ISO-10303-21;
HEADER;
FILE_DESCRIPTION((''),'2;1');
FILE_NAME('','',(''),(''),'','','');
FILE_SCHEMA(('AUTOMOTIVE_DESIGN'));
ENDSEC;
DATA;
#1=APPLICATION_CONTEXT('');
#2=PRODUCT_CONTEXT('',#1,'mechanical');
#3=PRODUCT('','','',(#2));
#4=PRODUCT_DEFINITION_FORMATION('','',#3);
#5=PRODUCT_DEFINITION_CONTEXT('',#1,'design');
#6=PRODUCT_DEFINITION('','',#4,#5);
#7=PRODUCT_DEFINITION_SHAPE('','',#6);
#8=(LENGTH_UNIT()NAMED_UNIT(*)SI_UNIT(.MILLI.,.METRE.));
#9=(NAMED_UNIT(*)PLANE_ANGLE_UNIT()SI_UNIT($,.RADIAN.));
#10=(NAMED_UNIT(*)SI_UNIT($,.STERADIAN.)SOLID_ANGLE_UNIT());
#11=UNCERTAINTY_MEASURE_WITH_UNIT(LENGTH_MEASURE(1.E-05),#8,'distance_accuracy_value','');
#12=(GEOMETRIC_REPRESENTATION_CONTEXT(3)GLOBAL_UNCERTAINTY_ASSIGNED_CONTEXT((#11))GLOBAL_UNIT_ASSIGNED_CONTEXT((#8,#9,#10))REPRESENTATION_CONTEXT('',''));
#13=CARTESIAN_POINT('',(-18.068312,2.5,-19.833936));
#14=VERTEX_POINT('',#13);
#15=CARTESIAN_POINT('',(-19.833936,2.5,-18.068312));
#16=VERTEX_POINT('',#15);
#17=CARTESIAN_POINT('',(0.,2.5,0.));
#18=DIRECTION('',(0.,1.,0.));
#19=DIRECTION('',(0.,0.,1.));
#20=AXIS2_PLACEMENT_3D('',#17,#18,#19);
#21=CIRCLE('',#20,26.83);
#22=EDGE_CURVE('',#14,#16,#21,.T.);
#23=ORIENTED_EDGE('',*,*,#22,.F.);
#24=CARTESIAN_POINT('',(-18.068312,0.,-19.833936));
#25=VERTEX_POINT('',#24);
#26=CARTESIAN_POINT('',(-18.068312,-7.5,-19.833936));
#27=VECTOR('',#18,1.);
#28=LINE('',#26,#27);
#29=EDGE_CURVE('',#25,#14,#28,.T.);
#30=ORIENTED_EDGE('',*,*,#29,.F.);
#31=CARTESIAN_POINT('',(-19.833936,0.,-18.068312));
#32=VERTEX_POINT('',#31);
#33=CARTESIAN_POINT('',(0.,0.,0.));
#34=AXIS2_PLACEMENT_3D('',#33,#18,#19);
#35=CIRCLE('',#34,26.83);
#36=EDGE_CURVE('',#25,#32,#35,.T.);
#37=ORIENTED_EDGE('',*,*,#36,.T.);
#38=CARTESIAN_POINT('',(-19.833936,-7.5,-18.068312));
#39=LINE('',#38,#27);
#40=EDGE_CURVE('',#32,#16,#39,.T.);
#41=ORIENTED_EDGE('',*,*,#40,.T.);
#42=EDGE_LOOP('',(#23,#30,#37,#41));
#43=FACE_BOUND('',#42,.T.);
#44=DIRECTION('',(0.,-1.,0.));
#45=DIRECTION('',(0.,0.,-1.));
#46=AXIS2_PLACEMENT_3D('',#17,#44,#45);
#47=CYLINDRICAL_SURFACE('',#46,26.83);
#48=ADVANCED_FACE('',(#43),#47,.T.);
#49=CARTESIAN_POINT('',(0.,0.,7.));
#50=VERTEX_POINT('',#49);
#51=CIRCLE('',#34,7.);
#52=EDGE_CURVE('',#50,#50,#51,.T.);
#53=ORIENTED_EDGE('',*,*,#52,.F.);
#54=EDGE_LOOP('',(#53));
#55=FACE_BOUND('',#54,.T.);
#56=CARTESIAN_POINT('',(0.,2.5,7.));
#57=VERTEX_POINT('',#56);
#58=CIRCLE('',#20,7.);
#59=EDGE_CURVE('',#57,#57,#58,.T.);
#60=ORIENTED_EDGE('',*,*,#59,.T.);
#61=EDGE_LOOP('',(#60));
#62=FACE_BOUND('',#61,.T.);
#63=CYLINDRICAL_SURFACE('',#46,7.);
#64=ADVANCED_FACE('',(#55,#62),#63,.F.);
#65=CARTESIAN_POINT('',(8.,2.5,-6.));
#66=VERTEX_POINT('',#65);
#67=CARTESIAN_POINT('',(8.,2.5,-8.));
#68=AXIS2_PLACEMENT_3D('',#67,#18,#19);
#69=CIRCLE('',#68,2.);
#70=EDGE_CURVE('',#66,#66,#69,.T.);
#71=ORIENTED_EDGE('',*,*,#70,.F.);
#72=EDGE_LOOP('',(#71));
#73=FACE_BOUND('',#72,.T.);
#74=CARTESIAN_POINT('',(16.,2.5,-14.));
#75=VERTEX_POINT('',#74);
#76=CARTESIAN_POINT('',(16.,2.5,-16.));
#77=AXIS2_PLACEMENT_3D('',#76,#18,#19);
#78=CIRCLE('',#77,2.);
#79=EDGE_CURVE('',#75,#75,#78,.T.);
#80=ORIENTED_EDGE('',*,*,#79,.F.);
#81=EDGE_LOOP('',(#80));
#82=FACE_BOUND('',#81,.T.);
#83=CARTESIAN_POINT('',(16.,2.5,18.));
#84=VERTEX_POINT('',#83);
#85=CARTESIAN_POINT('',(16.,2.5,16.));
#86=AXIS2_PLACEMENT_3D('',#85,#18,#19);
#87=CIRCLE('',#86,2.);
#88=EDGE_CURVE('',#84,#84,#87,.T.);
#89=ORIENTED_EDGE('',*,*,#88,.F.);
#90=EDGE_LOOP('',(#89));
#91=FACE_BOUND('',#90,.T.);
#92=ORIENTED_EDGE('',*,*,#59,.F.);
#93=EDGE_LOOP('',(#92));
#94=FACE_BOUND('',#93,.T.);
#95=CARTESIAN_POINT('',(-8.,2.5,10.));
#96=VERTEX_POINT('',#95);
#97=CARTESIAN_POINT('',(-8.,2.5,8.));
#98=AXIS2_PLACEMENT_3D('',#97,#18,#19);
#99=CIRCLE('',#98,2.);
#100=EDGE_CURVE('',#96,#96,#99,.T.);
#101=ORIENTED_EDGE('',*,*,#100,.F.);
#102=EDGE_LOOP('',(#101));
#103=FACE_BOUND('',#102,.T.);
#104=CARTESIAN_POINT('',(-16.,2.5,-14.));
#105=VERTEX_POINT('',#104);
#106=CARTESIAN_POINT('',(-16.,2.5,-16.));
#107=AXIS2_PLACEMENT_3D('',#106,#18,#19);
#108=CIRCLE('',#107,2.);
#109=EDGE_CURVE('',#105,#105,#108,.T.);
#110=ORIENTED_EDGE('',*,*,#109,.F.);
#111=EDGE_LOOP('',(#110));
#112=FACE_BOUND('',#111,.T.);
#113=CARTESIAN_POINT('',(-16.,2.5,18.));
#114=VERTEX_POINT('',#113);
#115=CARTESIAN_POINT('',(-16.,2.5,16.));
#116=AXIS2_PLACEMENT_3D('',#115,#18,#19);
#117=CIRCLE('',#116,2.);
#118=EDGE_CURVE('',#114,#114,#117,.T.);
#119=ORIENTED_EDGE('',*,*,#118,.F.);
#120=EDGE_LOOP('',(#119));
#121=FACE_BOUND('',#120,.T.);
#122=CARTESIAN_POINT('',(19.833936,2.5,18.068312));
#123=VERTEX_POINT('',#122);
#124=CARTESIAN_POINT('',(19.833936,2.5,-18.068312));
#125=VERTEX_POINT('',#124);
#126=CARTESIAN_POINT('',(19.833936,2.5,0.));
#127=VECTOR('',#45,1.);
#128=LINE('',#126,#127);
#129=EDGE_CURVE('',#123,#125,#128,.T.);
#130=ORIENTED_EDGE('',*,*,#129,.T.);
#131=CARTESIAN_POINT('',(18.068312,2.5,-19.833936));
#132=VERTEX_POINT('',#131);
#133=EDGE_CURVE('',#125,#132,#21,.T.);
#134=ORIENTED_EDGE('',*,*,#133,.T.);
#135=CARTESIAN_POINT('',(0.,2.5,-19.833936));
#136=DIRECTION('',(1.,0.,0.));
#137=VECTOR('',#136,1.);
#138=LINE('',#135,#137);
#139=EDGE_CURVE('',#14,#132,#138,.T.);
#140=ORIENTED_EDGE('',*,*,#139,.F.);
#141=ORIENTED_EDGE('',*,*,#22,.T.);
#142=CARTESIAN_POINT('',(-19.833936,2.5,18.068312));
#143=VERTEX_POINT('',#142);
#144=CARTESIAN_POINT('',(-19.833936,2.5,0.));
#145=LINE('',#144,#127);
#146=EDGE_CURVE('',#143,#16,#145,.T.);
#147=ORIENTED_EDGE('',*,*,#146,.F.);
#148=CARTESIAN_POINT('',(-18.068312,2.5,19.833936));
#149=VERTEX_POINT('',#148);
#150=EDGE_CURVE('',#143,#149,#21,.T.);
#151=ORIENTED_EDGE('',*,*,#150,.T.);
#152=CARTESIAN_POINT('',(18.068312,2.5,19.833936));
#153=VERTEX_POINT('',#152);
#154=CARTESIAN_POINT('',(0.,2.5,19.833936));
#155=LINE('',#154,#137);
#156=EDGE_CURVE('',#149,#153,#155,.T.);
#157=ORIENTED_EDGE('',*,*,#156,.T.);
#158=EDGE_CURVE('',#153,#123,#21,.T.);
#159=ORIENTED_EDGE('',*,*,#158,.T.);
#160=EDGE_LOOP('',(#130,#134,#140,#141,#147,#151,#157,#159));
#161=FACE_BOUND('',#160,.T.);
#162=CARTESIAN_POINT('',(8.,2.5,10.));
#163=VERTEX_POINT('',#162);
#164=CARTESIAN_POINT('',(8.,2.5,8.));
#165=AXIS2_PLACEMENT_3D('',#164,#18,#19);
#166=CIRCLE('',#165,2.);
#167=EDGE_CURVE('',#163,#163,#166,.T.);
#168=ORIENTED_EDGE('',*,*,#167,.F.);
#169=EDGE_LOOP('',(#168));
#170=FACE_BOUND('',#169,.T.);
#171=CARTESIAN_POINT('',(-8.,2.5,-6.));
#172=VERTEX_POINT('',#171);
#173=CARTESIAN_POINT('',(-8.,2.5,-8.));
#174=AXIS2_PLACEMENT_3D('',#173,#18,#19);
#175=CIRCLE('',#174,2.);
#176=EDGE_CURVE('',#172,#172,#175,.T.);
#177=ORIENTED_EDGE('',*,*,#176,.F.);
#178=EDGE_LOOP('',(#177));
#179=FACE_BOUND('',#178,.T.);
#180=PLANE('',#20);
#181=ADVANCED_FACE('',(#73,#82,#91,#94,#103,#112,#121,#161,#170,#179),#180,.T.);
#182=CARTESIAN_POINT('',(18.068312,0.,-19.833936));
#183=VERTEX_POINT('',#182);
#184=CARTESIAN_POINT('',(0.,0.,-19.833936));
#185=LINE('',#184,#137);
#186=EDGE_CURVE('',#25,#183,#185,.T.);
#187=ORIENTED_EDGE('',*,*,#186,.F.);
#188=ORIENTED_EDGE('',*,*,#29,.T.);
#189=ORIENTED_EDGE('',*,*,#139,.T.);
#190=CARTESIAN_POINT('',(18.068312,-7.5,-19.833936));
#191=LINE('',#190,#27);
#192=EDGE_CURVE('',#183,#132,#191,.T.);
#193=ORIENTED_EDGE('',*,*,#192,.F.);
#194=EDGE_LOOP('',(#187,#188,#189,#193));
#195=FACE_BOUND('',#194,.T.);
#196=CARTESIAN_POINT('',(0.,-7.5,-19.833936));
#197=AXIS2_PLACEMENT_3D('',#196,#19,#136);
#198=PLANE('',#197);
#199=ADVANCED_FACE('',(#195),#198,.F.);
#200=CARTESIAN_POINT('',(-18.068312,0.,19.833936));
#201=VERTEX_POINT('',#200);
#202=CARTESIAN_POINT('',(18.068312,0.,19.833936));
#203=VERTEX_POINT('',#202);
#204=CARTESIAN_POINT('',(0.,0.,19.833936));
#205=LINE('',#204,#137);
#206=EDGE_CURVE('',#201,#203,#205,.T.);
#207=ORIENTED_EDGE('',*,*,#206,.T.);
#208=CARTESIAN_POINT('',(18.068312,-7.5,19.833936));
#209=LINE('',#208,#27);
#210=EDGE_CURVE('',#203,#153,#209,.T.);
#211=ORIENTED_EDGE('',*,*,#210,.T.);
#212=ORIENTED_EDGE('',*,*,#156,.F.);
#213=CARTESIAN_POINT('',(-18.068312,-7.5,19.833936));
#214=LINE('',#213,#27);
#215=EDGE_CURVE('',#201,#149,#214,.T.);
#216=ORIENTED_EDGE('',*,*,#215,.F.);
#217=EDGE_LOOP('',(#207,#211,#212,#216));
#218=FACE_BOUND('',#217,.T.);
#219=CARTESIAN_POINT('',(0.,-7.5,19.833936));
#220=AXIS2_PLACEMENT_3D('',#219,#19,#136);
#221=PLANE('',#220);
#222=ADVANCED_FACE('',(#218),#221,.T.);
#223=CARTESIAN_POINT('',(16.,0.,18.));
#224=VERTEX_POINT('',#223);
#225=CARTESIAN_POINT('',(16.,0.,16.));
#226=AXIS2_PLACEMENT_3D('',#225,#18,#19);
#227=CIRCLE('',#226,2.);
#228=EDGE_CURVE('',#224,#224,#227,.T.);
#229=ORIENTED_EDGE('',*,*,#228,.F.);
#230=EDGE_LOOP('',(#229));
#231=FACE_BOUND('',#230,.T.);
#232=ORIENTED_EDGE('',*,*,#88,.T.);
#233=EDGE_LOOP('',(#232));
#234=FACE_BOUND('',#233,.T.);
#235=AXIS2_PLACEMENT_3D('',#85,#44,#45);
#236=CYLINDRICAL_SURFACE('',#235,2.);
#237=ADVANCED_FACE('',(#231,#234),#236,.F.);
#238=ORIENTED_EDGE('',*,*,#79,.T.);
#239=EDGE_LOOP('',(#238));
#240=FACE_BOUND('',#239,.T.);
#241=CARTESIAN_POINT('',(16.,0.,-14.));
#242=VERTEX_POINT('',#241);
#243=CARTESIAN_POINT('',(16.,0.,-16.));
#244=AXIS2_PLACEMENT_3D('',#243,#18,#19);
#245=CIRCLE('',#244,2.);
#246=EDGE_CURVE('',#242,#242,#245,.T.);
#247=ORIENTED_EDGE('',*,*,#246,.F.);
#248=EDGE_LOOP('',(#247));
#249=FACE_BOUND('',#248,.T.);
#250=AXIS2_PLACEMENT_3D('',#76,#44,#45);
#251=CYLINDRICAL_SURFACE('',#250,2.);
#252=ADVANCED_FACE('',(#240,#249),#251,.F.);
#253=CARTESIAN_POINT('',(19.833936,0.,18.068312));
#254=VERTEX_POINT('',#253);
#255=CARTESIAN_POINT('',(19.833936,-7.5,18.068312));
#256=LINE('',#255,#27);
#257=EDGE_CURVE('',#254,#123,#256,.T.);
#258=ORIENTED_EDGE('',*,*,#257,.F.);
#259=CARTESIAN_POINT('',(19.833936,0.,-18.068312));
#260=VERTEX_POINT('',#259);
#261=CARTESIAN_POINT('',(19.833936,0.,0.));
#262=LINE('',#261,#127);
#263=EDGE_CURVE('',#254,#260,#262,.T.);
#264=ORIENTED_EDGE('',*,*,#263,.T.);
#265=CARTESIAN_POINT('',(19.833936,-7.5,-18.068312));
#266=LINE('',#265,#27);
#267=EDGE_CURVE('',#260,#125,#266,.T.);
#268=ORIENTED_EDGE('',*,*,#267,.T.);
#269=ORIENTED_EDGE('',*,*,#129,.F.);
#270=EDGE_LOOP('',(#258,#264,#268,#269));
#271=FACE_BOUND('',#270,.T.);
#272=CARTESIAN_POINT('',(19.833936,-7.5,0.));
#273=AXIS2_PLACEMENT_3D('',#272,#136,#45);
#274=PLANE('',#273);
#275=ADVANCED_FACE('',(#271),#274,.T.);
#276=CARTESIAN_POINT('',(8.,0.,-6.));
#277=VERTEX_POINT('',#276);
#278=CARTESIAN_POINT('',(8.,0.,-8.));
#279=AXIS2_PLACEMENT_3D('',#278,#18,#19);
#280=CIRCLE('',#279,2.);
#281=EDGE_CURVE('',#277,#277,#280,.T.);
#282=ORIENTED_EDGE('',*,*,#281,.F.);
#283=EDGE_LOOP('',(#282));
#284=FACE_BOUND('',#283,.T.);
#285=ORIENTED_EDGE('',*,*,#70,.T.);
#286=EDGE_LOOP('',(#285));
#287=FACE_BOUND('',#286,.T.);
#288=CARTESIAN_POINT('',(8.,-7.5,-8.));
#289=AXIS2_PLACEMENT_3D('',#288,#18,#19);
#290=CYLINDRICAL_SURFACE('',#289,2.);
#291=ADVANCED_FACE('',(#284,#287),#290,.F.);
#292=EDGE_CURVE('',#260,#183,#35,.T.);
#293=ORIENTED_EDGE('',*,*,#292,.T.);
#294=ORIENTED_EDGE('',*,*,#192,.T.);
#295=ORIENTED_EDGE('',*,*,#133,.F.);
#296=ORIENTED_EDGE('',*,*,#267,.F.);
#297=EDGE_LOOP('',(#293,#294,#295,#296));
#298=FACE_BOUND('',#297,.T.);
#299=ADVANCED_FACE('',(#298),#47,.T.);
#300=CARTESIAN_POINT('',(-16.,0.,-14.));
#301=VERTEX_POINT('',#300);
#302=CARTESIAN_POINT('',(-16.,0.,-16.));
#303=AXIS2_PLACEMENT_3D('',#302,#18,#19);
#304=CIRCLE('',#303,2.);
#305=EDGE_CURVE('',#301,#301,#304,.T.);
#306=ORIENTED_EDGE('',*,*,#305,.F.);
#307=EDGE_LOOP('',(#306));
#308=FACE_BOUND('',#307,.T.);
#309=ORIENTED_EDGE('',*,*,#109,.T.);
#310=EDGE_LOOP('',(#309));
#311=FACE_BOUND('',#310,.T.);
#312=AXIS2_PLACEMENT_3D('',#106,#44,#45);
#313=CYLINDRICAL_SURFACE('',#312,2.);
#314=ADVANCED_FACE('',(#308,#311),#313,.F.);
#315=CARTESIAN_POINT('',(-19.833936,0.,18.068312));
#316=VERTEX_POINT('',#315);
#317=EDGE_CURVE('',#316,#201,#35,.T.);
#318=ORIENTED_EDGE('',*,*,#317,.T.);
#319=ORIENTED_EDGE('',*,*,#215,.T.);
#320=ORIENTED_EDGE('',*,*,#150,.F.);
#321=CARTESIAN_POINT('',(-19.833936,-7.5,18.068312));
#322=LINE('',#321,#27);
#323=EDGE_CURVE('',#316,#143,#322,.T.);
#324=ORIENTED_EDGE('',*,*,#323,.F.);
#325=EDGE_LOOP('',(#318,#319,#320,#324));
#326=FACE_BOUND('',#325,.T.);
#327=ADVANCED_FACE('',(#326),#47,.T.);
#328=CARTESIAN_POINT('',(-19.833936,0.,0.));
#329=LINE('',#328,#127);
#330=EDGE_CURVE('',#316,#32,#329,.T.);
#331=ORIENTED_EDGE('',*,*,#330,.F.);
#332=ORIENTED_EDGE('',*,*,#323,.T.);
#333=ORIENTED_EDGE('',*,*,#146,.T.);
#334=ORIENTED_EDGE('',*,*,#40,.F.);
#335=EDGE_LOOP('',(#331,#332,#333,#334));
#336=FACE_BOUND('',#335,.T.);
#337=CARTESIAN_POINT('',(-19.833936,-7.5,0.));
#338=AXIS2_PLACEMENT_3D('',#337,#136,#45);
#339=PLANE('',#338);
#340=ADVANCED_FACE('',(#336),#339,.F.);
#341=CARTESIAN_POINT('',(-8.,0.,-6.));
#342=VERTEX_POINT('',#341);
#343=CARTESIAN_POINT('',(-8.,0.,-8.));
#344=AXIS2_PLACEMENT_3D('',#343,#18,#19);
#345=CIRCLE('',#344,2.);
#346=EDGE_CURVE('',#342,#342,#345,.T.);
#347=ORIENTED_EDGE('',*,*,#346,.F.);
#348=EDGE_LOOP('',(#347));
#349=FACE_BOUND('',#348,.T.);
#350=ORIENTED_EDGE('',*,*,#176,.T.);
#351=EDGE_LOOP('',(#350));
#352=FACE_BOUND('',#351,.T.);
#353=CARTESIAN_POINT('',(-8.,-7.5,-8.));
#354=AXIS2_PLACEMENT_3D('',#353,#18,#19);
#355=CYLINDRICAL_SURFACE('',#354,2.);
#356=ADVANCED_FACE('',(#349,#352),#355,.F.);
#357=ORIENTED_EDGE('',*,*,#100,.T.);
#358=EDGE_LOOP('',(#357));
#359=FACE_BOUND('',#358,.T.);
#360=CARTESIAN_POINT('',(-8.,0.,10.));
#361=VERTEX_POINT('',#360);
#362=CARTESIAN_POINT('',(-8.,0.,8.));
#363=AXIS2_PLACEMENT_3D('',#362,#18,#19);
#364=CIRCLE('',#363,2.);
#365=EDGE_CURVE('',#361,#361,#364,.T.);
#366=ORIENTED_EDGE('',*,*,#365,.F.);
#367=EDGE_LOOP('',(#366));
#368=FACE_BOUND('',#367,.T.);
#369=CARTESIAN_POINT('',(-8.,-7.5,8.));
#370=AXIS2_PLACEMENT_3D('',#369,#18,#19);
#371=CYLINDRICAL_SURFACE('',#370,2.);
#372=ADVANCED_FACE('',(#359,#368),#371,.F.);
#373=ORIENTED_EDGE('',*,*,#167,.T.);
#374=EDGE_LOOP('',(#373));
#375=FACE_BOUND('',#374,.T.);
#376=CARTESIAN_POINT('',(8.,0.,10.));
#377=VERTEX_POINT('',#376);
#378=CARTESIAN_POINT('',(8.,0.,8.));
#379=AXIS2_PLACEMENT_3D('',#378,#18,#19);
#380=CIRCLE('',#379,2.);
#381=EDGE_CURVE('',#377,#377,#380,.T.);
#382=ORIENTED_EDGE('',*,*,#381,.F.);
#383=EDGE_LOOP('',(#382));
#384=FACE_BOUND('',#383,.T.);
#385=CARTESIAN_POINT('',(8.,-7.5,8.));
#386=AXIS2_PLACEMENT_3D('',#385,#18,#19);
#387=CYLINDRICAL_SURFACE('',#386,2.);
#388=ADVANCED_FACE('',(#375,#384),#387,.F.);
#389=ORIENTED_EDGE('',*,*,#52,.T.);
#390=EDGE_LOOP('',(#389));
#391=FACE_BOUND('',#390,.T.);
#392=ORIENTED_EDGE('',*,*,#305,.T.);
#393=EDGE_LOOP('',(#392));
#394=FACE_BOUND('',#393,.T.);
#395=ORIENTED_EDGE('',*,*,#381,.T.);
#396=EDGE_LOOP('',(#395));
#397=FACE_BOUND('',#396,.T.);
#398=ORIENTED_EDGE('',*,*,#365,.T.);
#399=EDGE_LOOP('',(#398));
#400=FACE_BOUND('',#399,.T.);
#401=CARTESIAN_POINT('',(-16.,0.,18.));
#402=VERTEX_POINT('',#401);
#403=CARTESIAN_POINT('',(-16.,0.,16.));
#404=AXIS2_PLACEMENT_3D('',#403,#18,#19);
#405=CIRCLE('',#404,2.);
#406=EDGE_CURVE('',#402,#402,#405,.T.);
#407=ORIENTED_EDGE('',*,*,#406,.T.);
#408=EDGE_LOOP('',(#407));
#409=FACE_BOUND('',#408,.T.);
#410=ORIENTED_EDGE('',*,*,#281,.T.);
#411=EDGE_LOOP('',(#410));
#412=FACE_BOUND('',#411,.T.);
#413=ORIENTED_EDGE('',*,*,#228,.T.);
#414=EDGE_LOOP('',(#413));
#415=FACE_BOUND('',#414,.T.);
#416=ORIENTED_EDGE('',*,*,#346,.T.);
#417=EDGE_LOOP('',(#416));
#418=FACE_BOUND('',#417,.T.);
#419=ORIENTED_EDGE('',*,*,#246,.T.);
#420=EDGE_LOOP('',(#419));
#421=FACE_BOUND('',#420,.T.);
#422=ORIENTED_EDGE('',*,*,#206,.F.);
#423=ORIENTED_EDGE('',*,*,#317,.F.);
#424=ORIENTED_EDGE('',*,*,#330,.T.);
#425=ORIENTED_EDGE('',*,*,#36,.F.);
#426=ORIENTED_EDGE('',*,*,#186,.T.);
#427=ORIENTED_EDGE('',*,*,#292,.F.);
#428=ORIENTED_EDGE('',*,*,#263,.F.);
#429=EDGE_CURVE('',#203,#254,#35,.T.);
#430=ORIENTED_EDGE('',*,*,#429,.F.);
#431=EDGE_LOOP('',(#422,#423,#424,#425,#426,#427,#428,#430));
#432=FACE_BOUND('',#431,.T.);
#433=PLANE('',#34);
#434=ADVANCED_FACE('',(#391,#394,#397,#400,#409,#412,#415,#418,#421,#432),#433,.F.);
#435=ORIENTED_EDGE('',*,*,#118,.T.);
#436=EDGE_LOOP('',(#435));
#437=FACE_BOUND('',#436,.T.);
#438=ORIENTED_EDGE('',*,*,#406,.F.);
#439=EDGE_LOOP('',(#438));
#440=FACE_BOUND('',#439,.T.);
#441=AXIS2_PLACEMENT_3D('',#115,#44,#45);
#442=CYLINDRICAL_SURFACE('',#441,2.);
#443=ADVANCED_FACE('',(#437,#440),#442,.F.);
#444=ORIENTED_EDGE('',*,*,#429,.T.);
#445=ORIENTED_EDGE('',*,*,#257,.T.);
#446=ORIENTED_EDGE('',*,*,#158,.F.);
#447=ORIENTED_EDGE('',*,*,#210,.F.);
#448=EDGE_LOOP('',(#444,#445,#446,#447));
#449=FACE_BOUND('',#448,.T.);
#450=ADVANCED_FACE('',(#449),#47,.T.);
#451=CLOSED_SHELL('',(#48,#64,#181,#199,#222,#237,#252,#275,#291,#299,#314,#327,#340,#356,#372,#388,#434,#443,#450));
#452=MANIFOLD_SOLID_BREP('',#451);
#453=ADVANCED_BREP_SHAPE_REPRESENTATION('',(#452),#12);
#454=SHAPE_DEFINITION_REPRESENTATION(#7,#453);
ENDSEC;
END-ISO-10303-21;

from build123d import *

# Parameters (mm, degrees)
SKETCH1_R           = 26.83
SKETCH1_R_2         = 7
SKETCH1_R_3         = 2
BOSS_EXTRUDE1_DEPTH = 2.5
CUT_EXTRUDE1_DEPTH  = 10
CUT_EXTRUDE2_DEPTH  = 10


with BuildPart() as part:
    # Sketch1 → Boss-Extrude1 (new body)
    with BuildSketch(Plane(origin=(0, 0, 0), x_dir=(1, 0, 0), z_dir=(0, 1, 0))):
        Circle(SKETCH1_R)
        Circle(SKETCH1_R_2, mode=Mode.SUBTRACT)
        with Locations((-16.000000001, 16.000000001)):
            Circle(SKETCH1_R_3, mode=Mode.SUBTRACT)
        with Locations((16.000000001, 16.000000001)):
            Circle(SKETCH1_R_3, mode=Mode.SUBTRACT)
        with Locations((16.000000001, -16.000000001)):
            Circle(SKETCH1_R_3, mode=Mode.SUBTRACT)
        with Locations((-16.000000001, -16.000000001)):
            Circle(SKETCH1_R_3, mode=Mode.SUBTRACT)
    extrude(amount=BOSS_EXTRUDE1_DEPTH)

    # Sketch2 → Cut-Extrude1 (cut)
    with BuildSketch(Plane(origin=(0, 2.5, 0), x_dir=(1, 0, 0), z_dir=(0, 1, 0))):
        with BuildLine():
            ThreePointArc((-6.000000001, 8.000000001), (-9.414213563, 9.414213563), (-8.000000001, 6.000000001))
            Line((-8.000000001, 6.000000001), (-8.000000001, 8.000000001))
            Line((-8.000000001, 8.000000001), (-6.000000001, 8.000000001))
        make_face()
        with BuildLine():
            Line((-8.000000001, 8.000000001), (-8.000000001, 6.000000001))
            ThreePointArc((-8.000000001, 6.000000001), (-6.585786438, 6.585786438), (-6.000000001, 8.000000001))
            Line((-6.000000001, 8.000000001), (-8.000000001, 8.000000001))
        make_face()
        with BuildLine():
            ThreePointArc((6.000000001, 8.000000001), (6.585786438, 6.585786438), (8.000000001, 6.000000001))
            Line((8.000000001, 6.000000001), (8.000000001, 8.000000001))
            Line((8.000000001, 8.000000001), (6.000000001, 8.000000001))
        make_face()
        with BuildLine():
            Line((8.000000001, 8.000000001), (8.000000001, 6.000000001))
            ThreePointArc((8.000000001, 6.000000001), (9.414213563, 6.585786438), (10.000000001, 8.000000001))
            ThreePointArc((10.000000001, 8.000000001), (8.000000001, 10.000000001), (6.000000001, 8.000000001))
            Line((6.000000001, 8.000000001), (8.000000001, 8.000000001))
        make_face()
        with BuildLine():
            Line((-6.000000001, -8.000000001), (-8.000000001, -8.000000001))
            Line((-8.000000001, -8.000000001), (-8.000000001, -6.000000001))
            ThreePointArc((-8.000000001, -6.000000001), (-9.414213563, -9.414213563), (-6.000000001, -8.000000001))
        make_face()
        with BuildLine():
            ThreePointArc((-6.000000001, -8.000000001), (-6.152240936, -7.234633136), (-6.585786438, -6.585786438))
            Line((-6.585786438, -6.585786438), (-8.000000001, -8.000000001))
            Line((-8.000000001, -8.000000001), (-6.000000001, -8.000000001))
        make_face()
        with BuildLine():
            Line((-8.000000001, -8.000000001), (-6.585786438, -6.585786438))
            ThreePointArc((-6.585786438, -6.585786438), (-7.234633136, -6.152240936), (-8.000000001, -6.000000001))
            Line((-8.000000001, -6.000000001), (-8.000000001, -8.000000001))
        make_face()
        with BuildLine():
            ThreePointArc((8.000000001, -6.000000001), (6.585786438, -6.585786438), (6.000000001, -8.000000001))
            Line((6.000000001, -8.000000001), (8.000000001, -8.000000001))
            Line((8.000000001, -8.000000001), (8.000000001, -6.000000001))
        make_face()
        with BuildLine():
            Line((8.000000001, -8.000000001), (6.000000001, -8.000000001))
            ThreePointArc((6.000000001, -8.000000001), (8.000000001, -10.000000001), (10.000000001, -8.000000001))
            ThreePointArc((10.000000001, -8.000000001), (9.414213563, -6.585786438), (8.000000001, -6.000000001))
            Line((8.000000001, -6.000000001), (8.000000001, -8.000000001))
        make_face()
    extrude(amount=-CUT_EXTRUDE1_DEPTH, mode=Mode.SUBTRACT)

    # Sketch3 → Cut-Extrude2 (cut)
    with BuildSketch(Plane(origin=(0, 2.5, 0), x_dir=(1, 0, 0), z_dir=(0, 1, 0))):
        with BuildLine():
            Line((-19.833935995, -18.068311569), (-19.833935995, 18.068311569))
            ThreePointArc((-19.833935995, 18.068311569), (-26.83, 0), (-19.833935995, -18.068311569))
        make_face()
        with BuildLine():
            Line((-18.068311569, 19.833935995), (18.068311569, 19.833935995))
            ThreePointArc((18.068311569, 19.833935995), (0, 26.83), (-18.068311569, 19.833935995))
        make_face()
        with BuildLine():
            ThreePointArc((26.83, 0), (25.019926086, 9.687734443), (19.833935995, 18.068311569))
            Line((19.833935995, 18.068311569), (19.833935995, -18.068311569))
            ThreePointArc((19.833935995, -18.068311569), (25.019926086, -9.687734443), (26.83, 0))
        make_face()
        with BuildLine():
            ThreePointArc((-18.068311569, -19.833935995), (0, -26.83), (18.068311569, -19.833935995))
            Line((18.068311569, -19.833935995), (-18.068311569, -19.833935995))
        make_face()
    extrude(amount=-CUT_EXTRUDE2_DEPTH, mode=Mode.SUBTRACT)


solid = part.part
